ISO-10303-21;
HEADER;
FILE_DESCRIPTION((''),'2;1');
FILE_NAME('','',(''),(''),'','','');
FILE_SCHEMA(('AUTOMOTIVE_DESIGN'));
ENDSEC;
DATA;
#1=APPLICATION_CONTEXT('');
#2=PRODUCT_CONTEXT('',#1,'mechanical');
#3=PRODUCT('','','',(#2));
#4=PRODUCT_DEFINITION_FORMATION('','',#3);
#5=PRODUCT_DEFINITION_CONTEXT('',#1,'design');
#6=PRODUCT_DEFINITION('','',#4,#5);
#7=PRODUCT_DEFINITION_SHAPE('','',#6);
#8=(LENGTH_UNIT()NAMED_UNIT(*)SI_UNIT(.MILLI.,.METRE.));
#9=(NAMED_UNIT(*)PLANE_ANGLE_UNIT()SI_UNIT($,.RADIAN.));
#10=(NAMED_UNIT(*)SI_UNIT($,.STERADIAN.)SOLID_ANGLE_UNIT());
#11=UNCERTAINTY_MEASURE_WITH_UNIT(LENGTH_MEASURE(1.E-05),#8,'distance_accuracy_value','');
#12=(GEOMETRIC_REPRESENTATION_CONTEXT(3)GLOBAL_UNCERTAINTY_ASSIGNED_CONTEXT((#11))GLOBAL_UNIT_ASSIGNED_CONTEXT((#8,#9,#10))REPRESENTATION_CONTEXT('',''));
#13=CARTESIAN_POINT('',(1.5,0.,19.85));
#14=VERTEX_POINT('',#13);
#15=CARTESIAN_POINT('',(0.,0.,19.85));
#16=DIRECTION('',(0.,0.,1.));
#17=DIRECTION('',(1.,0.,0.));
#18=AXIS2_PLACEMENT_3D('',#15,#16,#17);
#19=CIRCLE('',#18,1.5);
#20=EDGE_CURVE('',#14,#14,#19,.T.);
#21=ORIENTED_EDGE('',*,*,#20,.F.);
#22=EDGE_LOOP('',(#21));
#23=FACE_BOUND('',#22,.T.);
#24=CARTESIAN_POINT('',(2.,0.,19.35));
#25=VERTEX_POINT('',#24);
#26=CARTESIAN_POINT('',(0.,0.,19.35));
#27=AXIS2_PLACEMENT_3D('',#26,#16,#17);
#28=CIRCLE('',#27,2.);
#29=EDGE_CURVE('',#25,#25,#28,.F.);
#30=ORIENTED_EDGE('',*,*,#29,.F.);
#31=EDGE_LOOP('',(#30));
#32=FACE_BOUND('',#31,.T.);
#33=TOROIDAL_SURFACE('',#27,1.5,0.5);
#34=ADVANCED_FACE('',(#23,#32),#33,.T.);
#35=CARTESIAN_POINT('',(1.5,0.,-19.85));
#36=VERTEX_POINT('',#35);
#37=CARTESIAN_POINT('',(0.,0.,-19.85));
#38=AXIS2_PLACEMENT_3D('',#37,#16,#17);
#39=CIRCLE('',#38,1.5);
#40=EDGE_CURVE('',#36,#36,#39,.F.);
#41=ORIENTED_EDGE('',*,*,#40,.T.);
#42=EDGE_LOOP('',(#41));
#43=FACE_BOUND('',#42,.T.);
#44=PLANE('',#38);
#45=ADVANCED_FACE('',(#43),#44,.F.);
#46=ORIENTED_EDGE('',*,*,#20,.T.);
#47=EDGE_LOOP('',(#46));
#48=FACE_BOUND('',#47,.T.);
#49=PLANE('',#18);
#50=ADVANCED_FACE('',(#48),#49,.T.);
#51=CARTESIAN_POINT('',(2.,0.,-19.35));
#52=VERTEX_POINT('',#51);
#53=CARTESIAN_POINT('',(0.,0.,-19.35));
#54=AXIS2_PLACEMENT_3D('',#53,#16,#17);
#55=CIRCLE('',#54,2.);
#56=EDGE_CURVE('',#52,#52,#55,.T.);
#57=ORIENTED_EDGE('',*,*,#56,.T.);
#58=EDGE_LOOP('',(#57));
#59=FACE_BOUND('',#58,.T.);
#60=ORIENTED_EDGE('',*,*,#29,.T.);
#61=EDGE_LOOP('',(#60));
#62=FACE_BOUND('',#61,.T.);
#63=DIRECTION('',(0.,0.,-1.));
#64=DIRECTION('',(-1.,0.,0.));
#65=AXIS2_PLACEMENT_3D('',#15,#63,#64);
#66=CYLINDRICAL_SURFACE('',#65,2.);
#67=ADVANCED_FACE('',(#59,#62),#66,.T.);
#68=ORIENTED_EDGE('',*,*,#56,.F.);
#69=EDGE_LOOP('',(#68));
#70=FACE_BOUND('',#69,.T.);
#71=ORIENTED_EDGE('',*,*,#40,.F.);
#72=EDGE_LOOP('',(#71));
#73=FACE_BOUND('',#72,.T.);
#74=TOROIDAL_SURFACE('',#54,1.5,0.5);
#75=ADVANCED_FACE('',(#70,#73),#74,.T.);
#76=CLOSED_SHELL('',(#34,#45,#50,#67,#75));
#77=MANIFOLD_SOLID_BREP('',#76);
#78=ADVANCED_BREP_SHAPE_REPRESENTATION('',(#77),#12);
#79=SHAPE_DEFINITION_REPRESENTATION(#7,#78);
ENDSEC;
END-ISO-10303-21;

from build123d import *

# Parameters (mm, degrees)
ESQUISSE1_R          = 2
BASE_EXTRUSION_DEPTH = 19.85
CONG_1_R             = 0.5


with BuildPart() as part:
    # Esquisse1 → Base-Extrusion (new, symmetric)
    with BuildSketch(Plane.XY):
        Circle(ESQUISSE1_R)
    extrude(amount=BASE_EXTRUSION_DEPTH, both=True)

    # Congé1
    cong_1_edges = [part.edges().sort_by_distance(p)[0] for p in [
        (-2, 0, -19.85),
        (-2, 0, 19.85),
    ]]
    fillet(cong_1_edges, radius=CONG_1_R)


solid = part.part
